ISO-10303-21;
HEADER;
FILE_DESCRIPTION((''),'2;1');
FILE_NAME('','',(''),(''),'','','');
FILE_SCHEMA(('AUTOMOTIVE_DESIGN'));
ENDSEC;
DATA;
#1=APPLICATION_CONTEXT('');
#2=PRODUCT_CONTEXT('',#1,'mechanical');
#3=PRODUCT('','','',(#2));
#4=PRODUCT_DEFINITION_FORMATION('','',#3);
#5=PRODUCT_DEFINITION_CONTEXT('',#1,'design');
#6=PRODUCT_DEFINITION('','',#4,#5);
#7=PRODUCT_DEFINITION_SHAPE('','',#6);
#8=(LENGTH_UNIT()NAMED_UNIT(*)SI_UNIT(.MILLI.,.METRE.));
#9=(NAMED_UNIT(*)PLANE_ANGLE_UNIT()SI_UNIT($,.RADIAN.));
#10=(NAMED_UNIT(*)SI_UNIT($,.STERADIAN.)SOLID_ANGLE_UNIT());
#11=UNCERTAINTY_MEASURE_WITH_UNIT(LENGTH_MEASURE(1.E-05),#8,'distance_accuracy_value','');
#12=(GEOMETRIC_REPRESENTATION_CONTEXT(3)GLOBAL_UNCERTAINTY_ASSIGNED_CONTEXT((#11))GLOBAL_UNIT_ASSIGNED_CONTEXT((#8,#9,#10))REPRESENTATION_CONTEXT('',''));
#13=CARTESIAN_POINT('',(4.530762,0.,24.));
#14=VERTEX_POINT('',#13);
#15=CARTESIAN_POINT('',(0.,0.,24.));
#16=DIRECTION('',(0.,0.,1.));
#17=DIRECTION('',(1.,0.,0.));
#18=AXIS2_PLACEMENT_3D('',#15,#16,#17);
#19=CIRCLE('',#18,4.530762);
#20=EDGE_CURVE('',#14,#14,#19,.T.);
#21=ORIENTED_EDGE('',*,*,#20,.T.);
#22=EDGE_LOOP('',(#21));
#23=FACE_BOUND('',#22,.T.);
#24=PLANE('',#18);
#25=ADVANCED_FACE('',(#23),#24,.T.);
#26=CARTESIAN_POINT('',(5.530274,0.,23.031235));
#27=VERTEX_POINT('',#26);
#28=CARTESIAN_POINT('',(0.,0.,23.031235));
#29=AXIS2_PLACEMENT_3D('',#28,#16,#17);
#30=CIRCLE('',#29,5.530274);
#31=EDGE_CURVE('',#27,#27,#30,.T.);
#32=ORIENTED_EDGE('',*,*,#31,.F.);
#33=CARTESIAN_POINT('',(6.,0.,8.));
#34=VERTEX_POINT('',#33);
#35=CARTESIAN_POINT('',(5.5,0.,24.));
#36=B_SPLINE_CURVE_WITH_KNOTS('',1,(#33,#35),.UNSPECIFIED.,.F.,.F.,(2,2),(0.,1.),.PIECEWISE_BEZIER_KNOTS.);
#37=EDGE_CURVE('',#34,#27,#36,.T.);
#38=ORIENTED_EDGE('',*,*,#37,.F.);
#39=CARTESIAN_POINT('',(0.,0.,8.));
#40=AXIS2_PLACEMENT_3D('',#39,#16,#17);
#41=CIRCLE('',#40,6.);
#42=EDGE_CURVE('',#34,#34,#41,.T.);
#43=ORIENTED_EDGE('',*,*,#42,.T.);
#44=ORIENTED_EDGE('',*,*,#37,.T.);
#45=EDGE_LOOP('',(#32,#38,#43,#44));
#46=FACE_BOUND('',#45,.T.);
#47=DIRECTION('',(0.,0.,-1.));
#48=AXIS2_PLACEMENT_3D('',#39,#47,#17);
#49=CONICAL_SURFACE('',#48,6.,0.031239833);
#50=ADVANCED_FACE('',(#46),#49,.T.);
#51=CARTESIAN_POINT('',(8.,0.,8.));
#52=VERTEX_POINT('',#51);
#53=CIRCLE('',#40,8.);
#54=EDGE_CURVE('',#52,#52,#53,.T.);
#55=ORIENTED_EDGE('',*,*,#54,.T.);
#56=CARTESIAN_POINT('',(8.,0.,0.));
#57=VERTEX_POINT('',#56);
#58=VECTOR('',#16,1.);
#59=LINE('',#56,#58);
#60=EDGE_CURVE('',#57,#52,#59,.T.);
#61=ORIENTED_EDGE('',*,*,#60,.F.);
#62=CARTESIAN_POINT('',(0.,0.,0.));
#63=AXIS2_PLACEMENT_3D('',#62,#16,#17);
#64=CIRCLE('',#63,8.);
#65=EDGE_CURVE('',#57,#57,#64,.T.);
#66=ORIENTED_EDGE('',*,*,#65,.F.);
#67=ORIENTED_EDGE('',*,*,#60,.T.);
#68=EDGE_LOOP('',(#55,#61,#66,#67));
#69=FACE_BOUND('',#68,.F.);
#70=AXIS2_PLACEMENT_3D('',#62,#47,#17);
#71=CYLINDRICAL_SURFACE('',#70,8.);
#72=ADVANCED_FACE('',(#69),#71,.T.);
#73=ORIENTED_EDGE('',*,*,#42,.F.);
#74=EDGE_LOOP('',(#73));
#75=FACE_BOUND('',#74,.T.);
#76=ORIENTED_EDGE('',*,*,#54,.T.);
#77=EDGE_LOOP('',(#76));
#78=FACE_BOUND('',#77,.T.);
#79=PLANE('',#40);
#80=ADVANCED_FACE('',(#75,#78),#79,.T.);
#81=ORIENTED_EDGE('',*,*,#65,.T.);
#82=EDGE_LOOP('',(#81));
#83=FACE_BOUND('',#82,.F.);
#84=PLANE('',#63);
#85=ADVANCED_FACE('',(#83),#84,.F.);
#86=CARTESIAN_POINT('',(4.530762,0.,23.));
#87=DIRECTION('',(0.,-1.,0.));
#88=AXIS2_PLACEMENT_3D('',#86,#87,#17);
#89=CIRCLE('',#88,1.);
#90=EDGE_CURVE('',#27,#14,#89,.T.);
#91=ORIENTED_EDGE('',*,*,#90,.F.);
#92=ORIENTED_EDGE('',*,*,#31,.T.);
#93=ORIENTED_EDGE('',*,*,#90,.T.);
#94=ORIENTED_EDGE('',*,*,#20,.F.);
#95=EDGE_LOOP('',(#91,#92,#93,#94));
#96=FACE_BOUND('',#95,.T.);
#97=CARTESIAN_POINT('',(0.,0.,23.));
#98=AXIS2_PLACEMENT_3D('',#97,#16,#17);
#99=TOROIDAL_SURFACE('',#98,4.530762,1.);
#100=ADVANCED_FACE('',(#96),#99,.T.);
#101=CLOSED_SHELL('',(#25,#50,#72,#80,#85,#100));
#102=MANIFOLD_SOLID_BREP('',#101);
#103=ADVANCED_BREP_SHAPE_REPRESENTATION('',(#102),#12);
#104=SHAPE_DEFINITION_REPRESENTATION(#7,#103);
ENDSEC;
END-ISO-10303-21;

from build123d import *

# Parameters (mm, degrees)
F0_R     = 8
F1_DEPTH = 8
F2_R     = 6
F4_R     = 5.5
F6_R     = 1


with BuildPart() as f1:
    # F0 (on Top) → F1 (new body)
    with BuildSketch(Plane.XY):
        Circle(F0_R)
    extrude(amount=F1_DEPTH)

    # F2 (on face) → F5 section 0
    with BuildSketch(Plane.XY.offset(8)):
        Circle(F2_R)
    # F4 (on offset) → F5 section 1
    with BuildSketch(Plane.XY.offset(24)):
        Circle(F4_R)
    loft()

    # F6
    f6_edges = [f1.edges().sort_by_distance(p)[0] for p in [
        (-5.5, 0, 24),
    ]]
    fillet(f6_edges, radius=F6_R)


solid = f1.part
